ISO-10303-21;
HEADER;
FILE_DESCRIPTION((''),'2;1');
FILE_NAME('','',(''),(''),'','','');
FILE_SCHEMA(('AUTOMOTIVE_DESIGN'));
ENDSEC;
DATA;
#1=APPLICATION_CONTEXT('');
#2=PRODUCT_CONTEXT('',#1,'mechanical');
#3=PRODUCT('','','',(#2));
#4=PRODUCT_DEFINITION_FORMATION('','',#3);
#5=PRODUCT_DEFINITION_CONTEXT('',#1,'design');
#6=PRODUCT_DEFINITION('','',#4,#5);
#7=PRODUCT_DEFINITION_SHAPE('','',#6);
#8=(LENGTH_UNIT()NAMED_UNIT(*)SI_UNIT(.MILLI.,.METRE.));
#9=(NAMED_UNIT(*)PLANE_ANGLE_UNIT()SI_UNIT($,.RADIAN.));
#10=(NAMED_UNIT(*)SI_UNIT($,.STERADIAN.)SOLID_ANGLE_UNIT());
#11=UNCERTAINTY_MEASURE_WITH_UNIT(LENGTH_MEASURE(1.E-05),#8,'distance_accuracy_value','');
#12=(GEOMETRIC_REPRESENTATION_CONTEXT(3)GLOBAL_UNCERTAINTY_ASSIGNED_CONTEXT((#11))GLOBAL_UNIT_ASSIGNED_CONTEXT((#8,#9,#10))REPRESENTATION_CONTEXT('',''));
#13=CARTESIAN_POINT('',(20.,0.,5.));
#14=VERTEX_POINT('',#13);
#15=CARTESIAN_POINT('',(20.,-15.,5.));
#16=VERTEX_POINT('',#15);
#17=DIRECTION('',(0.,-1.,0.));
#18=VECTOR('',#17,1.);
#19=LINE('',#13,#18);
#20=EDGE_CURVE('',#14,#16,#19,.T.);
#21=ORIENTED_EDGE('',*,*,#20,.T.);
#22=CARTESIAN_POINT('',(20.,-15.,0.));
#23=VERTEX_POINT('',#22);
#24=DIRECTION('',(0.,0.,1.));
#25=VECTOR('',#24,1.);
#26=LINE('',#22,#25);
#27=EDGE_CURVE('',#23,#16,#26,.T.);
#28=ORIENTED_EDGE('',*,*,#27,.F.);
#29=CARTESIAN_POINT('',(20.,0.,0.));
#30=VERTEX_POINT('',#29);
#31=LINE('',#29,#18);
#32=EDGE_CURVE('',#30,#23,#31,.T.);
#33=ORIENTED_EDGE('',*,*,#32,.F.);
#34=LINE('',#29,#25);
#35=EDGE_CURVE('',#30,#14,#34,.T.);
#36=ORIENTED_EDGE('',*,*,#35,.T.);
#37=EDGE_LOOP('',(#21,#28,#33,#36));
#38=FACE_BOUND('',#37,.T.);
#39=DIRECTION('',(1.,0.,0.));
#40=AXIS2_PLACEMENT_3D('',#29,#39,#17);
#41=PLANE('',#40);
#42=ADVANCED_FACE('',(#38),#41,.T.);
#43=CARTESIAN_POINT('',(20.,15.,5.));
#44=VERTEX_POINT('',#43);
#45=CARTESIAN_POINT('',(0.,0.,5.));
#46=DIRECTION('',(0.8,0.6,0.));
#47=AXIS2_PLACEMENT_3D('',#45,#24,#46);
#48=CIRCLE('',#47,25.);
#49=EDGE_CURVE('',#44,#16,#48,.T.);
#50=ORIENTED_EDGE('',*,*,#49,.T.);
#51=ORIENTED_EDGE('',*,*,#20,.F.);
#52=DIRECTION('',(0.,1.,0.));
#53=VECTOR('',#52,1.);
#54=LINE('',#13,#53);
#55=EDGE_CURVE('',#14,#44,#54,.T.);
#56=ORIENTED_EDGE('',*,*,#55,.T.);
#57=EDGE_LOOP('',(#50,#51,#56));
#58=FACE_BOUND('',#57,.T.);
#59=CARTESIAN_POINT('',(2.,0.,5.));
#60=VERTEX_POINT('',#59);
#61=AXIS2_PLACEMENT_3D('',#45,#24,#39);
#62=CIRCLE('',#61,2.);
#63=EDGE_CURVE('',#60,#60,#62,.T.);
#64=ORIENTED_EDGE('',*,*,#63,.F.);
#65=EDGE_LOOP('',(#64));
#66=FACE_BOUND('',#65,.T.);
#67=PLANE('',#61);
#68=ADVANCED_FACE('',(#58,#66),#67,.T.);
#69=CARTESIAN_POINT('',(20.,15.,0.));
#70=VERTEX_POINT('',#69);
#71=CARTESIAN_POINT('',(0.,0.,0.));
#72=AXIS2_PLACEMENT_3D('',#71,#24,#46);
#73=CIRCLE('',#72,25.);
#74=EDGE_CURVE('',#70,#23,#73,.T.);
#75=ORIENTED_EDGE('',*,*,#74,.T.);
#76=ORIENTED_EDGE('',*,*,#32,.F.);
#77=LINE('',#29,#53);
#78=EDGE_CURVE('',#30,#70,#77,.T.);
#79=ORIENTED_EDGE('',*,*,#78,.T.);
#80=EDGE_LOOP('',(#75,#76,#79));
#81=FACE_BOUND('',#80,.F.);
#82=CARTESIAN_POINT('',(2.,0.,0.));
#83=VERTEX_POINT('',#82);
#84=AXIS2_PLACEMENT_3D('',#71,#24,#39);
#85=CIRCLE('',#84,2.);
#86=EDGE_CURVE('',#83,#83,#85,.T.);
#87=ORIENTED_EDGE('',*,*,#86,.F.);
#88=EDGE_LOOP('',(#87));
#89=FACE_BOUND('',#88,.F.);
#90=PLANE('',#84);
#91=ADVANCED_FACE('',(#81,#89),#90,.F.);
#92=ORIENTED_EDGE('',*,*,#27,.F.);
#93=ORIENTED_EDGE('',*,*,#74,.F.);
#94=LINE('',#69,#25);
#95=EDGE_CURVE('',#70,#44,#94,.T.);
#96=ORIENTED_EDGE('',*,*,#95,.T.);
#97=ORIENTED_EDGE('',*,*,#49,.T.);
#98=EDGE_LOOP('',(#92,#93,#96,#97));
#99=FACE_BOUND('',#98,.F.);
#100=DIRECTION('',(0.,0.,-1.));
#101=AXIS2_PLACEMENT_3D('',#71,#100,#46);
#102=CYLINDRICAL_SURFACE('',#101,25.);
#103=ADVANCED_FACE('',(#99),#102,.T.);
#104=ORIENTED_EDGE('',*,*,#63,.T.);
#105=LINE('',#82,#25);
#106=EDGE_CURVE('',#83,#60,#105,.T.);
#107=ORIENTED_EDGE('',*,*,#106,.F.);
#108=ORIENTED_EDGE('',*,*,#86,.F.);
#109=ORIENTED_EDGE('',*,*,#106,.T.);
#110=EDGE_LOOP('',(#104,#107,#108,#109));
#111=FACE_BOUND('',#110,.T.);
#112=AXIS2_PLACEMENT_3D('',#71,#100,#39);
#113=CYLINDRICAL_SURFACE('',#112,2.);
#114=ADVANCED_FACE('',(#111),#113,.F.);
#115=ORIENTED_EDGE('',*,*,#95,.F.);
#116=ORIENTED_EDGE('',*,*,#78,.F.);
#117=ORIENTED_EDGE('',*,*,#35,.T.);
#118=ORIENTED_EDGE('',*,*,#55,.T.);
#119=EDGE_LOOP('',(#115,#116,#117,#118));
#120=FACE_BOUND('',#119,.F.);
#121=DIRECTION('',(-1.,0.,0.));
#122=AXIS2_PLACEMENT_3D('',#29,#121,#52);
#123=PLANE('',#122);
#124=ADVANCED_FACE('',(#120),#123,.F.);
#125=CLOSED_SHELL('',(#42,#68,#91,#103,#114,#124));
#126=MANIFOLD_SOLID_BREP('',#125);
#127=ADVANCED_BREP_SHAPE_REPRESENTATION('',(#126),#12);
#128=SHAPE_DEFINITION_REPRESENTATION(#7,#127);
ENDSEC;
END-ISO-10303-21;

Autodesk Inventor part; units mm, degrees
ref_plane "YZ Plane" through (0, 0, 0) normal (1, 0, 0) x (0, 1, 0)
ref_plane "XZ Plane" through (0, 0, 0) normal (0, 1, 0) x (-1, 0, 0)
ref_plane "XY Plane" through (0, 0, 0) normal (0, 0, 1) x (1, 0, 0)
sketch "Sketch1" plane through (0, 0, 0) normal (0, 0, 1) x (1, 0, 0)
  arc A0 (20, 15) -> (20, -15) centre (0, 0) ccw
  line L0 (20, 0) -> (20, -15)
  line L1 (20, 0) -> (20, 15)
  circle A1 centre (0, 0) radius 2
  dimension "d0" = 50
  dimension "d3" = 4
extrude "Extrusion2" add sketch "Sketch1" along normal blind 5
properties part number "Flywheel" material "Iron, Cast"
